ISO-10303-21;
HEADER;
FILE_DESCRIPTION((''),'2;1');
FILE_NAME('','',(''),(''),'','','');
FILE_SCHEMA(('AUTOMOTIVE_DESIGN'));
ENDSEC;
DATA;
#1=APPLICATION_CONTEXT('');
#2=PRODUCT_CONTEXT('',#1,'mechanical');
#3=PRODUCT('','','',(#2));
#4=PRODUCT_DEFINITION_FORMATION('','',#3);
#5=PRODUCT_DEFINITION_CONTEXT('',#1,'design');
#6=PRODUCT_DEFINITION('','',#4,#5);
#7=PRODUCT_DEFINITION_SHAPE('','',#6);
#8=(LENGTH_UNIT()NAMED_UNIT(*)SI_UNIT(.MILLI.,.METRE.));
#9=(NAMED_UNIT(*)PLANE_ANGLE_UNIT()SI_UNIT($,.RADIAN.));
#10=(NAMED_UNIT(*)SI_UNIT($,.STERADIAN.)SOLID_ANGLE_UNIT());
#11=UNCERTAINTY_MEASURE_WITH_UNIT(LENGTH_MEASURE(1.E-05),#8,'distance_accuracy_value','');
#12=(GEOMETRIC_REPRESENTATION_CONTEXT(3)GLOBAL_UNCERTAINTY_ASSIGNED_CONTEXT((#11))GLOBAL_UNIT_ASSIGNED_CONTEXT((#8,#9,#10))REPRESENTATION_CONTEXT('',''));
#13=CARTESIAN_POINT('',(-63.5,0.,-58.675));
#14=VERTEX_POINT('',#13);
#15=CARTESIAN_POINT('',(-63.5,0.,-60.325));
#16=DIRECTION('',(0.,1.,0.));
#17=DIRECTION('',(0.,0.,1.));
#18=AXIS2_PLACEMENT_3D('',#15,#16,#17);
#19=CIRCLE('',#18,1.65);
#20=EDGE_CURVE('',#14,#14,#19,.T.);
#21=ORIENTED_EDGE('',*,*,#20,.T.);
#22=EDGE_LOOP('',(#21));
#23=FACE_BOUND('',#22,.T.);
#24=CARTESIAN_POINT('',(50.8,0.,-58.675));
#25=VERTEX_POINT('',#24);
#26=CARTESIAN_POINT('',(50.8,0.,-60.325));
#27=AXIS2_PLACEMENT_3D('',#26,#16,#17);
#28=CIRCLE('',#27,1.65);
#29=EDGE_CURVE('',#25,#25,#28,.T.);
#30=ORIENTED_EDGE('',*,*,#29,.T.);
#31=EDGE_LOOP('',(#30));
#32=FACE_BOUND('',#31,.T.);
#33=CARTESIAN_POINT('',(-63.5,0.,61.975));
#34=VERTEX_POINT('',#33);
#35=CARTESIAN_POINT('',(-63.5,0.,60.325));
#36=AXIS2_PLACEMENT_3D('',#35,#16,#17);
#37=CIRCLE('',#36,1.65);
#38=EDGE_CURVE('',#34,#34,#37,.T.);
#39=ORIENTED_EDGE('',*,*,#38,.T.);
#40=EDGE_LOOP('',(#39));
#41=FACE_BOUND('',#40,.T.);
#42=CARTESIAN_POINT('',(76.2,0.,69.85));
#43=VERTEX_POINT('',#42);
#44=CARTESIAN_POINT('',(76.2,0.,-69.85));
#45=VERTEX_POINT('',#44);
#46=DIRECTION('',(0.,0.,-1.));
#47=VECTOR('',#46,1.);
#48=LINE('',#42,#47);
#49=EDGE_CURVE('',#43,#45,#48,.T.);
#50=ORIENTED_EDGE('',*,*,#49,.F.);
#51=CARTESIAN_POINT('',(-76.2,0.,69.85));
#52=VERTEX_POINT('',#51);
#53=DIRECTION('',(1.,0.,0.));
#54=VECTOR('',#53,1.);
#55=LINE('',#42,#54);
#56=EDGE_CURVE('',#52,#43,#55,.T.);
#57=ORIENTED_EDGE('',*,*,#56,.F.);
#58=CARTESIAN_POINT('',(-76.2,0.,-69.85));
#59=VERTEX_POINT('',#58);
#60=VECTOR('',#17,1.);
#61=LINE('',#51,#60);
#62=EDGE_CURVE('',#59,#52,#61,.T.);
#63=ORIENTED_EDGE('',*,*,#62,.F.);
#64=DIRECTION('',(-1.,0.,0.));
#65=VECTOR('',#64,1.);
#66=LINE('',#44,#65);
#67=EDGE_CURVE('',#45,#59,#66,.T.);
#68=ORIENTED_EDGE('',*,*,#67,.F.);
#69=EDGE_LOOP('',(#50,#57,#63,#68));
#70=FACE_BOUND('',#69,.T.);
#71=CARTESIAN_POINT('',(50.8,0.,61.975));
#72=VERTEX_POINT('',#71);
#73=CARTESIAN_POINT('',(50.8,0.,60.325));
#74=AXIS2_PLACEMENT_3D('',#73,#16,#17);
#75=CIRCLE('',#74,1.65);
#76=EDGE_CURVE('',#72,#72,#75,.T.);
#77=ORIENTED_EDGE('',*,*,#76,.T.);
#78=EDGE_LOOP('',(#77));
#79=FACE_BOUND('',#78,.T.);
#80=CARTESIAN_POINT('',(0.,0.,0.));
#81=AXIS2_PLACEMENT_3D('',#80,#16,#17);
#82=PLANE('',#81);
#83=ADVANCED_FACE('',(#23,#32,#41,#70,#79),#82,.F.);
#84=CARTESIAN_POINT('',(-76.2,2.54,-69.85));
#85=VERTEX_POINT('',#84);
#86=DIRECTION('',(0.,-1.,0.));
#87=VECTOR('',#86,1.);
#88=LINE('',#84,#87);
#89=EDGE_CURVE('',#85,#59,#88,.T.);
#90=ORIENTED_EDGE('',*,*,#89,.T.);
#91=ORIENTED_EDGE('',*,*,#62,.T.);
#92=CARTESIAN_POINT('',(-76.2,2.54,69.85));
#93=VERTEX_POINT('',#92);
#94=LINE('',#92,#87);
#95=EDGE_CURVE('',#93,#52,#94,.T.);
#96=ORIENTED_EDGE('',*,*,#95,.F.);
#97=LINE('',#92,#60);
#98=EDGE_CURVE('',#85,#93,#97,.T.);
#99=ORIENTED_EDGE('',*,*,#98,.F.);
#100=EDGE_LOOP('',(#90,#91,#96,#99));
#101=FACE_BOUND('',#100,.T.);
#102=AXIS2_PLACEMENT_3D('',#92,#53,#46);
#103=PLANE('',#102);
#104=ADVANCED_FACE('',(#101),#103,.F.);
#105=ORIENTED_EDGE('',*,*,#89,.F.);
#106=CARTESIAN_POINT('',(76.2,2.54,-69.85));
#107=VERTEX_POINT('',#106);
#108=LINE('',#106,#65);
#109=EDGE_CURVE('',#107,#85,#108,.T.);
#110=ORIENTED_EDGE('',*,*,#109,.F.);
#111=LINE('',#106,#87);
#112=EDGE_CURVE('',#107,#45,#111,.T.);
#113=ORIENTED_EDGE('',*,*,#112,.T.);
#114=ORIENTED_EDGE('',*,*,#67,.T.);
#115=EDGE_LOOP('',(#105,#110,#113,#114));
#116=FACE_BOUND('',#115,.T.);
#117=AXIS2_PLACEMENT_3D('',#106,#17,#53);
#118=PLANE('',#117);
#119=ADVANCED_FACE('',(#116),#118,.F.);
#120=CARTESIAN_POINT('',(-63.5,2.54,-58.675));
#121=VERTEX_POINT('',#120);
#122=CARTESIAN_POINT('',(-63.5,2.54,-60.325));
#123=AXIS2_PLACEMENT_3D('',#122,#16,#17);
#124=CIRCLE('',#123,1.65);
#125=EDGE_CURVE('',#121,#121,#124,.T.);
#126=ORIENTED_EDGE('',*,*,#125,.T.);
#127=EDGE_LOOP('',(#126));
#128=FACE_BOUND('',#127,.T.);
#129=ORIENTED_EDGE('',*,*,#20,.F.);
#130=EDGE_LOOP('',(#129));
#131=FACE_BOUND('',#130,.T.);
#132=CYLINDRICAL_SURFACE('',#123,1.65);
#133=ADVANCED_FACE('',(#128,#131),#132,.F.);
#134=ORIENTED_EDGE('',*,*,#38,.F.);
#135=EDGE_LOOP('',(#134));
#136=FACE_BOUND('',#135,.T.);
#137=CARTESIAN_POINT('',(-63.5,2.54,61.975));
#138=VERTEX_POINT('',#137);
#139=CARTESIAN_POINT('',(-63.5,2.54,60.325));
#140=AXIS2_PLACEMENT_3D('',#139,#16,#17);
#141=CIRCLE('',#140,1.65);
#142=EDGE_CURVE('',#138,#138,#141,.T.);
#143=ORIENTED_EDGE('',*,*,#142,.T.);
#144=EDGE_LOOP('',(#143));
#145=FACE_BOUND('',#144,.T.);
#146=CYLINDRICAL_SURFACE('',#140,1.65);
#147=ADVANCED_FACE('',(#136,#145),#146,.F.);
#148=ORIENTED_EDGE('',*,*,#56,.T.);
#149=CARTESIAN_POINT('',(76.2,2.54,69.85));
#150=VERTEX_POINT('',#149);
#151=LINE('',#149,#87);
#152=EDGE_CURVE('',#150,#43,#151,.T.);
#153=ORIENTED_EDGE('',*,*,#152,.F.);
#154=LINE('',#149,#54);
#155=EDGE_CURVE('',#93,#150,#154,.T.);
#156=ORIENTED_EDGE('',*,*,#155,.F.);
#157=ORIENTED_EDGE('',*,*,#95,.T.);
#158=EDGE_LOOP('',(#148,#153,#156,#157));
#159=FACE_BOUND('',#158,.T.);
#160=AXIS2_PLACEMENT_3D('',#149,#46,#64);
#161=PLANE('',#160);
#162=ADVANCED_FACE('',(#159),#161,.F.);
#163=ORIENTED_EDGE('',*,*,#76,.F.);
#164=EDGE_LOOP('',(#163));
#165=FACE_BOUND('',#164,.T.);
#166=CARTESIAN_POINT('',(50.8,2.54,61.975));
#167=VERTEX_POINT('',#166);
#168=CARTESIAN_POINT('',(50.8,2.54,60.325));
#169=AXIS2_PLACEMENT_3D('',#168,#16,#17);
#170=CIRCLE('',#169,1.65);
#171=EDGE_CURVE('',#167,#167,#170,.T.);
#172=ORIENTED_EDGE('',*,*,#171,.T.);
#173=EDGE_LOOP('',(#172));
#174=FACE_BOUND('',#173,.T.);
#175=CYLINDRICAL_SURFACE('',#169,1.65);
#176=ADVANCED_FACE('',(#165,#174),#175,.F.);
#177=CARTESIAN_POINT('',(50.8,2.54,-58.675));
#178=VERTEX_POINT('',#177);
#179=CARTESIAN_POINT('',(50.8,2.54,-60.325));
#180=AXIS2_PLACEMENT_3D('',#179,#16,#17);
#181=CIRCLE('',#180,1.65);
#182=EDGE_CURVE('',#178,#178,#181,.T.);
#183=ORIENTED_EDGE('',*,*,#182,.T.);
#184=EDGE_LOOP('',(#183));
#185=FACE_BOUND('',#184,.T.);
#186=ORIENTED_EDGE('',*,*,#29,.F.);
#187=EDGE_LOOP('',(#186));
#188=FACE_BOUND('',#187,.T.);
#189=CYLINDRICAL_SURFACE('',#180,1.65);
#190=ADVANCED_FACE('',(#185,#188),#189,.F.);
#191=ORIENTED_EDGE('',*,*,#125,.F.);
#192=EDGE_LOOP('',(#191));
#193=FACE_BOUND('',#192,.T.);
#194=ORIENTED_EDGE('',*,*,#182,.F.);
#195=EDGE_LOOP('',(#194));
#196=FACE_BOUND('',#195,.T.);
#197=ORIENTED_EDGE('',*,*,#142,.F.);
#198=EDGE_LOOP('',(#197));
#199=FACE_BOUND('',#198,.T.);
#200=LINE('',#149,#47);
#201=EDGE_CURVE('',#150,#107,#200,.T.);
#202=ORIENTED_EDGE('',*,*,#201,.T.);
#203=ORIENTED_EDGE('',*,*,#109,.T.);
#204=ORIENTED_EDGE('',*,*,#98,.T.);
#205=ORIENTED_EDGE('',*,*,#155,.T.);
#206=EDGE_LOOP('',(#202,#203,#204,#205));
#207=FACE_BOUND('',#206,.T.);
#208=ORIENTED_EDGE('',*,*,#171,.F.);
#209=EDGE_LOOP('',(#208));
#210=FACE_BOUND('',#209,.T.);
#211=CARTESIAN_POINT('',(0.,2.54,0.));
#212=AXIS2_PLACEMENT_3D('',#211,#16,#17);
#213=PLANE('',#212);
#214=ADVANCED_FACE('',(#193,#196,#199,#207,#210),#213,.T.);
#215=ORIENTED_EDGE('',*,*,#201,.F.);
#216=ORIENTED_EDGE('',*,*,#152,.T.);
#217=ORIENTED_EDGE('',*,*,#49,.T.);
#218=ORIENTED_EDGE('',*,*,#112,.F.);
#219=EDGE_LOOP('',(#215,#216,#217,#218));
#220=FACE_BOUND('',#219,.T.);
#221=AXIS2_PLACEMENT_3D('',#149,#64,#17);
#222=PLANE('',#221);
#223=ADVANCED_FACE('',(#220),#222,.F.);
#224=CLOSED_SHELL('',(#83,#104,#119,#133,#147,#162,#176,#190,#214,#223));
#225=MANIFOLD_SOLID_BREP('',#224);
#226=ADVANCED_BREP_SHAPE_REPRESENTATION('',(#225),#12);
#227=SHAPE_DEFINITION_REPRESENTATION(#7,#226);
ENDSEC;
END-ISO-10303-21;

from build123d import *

# Parameters (mm, degrees)
SKETCH1_W                 = 152.4
SKETCH1_H                 = 139.7
BOSS_EXTRUDE1_DEPTH       = 2.54
M4X0_7_TAPPED_HOLE1_D     = 3.3
M4X0_7_TAPPED_HOLE1_DEPTH = 9.906


with BuildPart() as part:
    # Sketch1 → Boss-Extrude1 (new body)
    with BuildSketch(Plane(origin=(0, 0, 0), x_dir=(1, 0, 0), z_dir=(0, 1, 0))):
        Rectangle(SKETCH1_W, SKETCH1_H)
    extrude(amount=BOSS_EXTRUDE1_DEPTH)

    # M4x0.7 Tapped Hole1
    with Locations(Plane(origin=(0, 2.54, 0), x_dir=(1, 0, 0), z_dir=(0, 1, 0))):
        with Locations((-63.5, 60.325), (-63.5, -60.325), (50.8, -60.325), (50.8, 60.325)):
            Hole(M4X0_7_TAPPED_HOLE1_D / 2, depth=M4X0_7_TAPPED_HOLE1_DEPTH)


solid = part.part
